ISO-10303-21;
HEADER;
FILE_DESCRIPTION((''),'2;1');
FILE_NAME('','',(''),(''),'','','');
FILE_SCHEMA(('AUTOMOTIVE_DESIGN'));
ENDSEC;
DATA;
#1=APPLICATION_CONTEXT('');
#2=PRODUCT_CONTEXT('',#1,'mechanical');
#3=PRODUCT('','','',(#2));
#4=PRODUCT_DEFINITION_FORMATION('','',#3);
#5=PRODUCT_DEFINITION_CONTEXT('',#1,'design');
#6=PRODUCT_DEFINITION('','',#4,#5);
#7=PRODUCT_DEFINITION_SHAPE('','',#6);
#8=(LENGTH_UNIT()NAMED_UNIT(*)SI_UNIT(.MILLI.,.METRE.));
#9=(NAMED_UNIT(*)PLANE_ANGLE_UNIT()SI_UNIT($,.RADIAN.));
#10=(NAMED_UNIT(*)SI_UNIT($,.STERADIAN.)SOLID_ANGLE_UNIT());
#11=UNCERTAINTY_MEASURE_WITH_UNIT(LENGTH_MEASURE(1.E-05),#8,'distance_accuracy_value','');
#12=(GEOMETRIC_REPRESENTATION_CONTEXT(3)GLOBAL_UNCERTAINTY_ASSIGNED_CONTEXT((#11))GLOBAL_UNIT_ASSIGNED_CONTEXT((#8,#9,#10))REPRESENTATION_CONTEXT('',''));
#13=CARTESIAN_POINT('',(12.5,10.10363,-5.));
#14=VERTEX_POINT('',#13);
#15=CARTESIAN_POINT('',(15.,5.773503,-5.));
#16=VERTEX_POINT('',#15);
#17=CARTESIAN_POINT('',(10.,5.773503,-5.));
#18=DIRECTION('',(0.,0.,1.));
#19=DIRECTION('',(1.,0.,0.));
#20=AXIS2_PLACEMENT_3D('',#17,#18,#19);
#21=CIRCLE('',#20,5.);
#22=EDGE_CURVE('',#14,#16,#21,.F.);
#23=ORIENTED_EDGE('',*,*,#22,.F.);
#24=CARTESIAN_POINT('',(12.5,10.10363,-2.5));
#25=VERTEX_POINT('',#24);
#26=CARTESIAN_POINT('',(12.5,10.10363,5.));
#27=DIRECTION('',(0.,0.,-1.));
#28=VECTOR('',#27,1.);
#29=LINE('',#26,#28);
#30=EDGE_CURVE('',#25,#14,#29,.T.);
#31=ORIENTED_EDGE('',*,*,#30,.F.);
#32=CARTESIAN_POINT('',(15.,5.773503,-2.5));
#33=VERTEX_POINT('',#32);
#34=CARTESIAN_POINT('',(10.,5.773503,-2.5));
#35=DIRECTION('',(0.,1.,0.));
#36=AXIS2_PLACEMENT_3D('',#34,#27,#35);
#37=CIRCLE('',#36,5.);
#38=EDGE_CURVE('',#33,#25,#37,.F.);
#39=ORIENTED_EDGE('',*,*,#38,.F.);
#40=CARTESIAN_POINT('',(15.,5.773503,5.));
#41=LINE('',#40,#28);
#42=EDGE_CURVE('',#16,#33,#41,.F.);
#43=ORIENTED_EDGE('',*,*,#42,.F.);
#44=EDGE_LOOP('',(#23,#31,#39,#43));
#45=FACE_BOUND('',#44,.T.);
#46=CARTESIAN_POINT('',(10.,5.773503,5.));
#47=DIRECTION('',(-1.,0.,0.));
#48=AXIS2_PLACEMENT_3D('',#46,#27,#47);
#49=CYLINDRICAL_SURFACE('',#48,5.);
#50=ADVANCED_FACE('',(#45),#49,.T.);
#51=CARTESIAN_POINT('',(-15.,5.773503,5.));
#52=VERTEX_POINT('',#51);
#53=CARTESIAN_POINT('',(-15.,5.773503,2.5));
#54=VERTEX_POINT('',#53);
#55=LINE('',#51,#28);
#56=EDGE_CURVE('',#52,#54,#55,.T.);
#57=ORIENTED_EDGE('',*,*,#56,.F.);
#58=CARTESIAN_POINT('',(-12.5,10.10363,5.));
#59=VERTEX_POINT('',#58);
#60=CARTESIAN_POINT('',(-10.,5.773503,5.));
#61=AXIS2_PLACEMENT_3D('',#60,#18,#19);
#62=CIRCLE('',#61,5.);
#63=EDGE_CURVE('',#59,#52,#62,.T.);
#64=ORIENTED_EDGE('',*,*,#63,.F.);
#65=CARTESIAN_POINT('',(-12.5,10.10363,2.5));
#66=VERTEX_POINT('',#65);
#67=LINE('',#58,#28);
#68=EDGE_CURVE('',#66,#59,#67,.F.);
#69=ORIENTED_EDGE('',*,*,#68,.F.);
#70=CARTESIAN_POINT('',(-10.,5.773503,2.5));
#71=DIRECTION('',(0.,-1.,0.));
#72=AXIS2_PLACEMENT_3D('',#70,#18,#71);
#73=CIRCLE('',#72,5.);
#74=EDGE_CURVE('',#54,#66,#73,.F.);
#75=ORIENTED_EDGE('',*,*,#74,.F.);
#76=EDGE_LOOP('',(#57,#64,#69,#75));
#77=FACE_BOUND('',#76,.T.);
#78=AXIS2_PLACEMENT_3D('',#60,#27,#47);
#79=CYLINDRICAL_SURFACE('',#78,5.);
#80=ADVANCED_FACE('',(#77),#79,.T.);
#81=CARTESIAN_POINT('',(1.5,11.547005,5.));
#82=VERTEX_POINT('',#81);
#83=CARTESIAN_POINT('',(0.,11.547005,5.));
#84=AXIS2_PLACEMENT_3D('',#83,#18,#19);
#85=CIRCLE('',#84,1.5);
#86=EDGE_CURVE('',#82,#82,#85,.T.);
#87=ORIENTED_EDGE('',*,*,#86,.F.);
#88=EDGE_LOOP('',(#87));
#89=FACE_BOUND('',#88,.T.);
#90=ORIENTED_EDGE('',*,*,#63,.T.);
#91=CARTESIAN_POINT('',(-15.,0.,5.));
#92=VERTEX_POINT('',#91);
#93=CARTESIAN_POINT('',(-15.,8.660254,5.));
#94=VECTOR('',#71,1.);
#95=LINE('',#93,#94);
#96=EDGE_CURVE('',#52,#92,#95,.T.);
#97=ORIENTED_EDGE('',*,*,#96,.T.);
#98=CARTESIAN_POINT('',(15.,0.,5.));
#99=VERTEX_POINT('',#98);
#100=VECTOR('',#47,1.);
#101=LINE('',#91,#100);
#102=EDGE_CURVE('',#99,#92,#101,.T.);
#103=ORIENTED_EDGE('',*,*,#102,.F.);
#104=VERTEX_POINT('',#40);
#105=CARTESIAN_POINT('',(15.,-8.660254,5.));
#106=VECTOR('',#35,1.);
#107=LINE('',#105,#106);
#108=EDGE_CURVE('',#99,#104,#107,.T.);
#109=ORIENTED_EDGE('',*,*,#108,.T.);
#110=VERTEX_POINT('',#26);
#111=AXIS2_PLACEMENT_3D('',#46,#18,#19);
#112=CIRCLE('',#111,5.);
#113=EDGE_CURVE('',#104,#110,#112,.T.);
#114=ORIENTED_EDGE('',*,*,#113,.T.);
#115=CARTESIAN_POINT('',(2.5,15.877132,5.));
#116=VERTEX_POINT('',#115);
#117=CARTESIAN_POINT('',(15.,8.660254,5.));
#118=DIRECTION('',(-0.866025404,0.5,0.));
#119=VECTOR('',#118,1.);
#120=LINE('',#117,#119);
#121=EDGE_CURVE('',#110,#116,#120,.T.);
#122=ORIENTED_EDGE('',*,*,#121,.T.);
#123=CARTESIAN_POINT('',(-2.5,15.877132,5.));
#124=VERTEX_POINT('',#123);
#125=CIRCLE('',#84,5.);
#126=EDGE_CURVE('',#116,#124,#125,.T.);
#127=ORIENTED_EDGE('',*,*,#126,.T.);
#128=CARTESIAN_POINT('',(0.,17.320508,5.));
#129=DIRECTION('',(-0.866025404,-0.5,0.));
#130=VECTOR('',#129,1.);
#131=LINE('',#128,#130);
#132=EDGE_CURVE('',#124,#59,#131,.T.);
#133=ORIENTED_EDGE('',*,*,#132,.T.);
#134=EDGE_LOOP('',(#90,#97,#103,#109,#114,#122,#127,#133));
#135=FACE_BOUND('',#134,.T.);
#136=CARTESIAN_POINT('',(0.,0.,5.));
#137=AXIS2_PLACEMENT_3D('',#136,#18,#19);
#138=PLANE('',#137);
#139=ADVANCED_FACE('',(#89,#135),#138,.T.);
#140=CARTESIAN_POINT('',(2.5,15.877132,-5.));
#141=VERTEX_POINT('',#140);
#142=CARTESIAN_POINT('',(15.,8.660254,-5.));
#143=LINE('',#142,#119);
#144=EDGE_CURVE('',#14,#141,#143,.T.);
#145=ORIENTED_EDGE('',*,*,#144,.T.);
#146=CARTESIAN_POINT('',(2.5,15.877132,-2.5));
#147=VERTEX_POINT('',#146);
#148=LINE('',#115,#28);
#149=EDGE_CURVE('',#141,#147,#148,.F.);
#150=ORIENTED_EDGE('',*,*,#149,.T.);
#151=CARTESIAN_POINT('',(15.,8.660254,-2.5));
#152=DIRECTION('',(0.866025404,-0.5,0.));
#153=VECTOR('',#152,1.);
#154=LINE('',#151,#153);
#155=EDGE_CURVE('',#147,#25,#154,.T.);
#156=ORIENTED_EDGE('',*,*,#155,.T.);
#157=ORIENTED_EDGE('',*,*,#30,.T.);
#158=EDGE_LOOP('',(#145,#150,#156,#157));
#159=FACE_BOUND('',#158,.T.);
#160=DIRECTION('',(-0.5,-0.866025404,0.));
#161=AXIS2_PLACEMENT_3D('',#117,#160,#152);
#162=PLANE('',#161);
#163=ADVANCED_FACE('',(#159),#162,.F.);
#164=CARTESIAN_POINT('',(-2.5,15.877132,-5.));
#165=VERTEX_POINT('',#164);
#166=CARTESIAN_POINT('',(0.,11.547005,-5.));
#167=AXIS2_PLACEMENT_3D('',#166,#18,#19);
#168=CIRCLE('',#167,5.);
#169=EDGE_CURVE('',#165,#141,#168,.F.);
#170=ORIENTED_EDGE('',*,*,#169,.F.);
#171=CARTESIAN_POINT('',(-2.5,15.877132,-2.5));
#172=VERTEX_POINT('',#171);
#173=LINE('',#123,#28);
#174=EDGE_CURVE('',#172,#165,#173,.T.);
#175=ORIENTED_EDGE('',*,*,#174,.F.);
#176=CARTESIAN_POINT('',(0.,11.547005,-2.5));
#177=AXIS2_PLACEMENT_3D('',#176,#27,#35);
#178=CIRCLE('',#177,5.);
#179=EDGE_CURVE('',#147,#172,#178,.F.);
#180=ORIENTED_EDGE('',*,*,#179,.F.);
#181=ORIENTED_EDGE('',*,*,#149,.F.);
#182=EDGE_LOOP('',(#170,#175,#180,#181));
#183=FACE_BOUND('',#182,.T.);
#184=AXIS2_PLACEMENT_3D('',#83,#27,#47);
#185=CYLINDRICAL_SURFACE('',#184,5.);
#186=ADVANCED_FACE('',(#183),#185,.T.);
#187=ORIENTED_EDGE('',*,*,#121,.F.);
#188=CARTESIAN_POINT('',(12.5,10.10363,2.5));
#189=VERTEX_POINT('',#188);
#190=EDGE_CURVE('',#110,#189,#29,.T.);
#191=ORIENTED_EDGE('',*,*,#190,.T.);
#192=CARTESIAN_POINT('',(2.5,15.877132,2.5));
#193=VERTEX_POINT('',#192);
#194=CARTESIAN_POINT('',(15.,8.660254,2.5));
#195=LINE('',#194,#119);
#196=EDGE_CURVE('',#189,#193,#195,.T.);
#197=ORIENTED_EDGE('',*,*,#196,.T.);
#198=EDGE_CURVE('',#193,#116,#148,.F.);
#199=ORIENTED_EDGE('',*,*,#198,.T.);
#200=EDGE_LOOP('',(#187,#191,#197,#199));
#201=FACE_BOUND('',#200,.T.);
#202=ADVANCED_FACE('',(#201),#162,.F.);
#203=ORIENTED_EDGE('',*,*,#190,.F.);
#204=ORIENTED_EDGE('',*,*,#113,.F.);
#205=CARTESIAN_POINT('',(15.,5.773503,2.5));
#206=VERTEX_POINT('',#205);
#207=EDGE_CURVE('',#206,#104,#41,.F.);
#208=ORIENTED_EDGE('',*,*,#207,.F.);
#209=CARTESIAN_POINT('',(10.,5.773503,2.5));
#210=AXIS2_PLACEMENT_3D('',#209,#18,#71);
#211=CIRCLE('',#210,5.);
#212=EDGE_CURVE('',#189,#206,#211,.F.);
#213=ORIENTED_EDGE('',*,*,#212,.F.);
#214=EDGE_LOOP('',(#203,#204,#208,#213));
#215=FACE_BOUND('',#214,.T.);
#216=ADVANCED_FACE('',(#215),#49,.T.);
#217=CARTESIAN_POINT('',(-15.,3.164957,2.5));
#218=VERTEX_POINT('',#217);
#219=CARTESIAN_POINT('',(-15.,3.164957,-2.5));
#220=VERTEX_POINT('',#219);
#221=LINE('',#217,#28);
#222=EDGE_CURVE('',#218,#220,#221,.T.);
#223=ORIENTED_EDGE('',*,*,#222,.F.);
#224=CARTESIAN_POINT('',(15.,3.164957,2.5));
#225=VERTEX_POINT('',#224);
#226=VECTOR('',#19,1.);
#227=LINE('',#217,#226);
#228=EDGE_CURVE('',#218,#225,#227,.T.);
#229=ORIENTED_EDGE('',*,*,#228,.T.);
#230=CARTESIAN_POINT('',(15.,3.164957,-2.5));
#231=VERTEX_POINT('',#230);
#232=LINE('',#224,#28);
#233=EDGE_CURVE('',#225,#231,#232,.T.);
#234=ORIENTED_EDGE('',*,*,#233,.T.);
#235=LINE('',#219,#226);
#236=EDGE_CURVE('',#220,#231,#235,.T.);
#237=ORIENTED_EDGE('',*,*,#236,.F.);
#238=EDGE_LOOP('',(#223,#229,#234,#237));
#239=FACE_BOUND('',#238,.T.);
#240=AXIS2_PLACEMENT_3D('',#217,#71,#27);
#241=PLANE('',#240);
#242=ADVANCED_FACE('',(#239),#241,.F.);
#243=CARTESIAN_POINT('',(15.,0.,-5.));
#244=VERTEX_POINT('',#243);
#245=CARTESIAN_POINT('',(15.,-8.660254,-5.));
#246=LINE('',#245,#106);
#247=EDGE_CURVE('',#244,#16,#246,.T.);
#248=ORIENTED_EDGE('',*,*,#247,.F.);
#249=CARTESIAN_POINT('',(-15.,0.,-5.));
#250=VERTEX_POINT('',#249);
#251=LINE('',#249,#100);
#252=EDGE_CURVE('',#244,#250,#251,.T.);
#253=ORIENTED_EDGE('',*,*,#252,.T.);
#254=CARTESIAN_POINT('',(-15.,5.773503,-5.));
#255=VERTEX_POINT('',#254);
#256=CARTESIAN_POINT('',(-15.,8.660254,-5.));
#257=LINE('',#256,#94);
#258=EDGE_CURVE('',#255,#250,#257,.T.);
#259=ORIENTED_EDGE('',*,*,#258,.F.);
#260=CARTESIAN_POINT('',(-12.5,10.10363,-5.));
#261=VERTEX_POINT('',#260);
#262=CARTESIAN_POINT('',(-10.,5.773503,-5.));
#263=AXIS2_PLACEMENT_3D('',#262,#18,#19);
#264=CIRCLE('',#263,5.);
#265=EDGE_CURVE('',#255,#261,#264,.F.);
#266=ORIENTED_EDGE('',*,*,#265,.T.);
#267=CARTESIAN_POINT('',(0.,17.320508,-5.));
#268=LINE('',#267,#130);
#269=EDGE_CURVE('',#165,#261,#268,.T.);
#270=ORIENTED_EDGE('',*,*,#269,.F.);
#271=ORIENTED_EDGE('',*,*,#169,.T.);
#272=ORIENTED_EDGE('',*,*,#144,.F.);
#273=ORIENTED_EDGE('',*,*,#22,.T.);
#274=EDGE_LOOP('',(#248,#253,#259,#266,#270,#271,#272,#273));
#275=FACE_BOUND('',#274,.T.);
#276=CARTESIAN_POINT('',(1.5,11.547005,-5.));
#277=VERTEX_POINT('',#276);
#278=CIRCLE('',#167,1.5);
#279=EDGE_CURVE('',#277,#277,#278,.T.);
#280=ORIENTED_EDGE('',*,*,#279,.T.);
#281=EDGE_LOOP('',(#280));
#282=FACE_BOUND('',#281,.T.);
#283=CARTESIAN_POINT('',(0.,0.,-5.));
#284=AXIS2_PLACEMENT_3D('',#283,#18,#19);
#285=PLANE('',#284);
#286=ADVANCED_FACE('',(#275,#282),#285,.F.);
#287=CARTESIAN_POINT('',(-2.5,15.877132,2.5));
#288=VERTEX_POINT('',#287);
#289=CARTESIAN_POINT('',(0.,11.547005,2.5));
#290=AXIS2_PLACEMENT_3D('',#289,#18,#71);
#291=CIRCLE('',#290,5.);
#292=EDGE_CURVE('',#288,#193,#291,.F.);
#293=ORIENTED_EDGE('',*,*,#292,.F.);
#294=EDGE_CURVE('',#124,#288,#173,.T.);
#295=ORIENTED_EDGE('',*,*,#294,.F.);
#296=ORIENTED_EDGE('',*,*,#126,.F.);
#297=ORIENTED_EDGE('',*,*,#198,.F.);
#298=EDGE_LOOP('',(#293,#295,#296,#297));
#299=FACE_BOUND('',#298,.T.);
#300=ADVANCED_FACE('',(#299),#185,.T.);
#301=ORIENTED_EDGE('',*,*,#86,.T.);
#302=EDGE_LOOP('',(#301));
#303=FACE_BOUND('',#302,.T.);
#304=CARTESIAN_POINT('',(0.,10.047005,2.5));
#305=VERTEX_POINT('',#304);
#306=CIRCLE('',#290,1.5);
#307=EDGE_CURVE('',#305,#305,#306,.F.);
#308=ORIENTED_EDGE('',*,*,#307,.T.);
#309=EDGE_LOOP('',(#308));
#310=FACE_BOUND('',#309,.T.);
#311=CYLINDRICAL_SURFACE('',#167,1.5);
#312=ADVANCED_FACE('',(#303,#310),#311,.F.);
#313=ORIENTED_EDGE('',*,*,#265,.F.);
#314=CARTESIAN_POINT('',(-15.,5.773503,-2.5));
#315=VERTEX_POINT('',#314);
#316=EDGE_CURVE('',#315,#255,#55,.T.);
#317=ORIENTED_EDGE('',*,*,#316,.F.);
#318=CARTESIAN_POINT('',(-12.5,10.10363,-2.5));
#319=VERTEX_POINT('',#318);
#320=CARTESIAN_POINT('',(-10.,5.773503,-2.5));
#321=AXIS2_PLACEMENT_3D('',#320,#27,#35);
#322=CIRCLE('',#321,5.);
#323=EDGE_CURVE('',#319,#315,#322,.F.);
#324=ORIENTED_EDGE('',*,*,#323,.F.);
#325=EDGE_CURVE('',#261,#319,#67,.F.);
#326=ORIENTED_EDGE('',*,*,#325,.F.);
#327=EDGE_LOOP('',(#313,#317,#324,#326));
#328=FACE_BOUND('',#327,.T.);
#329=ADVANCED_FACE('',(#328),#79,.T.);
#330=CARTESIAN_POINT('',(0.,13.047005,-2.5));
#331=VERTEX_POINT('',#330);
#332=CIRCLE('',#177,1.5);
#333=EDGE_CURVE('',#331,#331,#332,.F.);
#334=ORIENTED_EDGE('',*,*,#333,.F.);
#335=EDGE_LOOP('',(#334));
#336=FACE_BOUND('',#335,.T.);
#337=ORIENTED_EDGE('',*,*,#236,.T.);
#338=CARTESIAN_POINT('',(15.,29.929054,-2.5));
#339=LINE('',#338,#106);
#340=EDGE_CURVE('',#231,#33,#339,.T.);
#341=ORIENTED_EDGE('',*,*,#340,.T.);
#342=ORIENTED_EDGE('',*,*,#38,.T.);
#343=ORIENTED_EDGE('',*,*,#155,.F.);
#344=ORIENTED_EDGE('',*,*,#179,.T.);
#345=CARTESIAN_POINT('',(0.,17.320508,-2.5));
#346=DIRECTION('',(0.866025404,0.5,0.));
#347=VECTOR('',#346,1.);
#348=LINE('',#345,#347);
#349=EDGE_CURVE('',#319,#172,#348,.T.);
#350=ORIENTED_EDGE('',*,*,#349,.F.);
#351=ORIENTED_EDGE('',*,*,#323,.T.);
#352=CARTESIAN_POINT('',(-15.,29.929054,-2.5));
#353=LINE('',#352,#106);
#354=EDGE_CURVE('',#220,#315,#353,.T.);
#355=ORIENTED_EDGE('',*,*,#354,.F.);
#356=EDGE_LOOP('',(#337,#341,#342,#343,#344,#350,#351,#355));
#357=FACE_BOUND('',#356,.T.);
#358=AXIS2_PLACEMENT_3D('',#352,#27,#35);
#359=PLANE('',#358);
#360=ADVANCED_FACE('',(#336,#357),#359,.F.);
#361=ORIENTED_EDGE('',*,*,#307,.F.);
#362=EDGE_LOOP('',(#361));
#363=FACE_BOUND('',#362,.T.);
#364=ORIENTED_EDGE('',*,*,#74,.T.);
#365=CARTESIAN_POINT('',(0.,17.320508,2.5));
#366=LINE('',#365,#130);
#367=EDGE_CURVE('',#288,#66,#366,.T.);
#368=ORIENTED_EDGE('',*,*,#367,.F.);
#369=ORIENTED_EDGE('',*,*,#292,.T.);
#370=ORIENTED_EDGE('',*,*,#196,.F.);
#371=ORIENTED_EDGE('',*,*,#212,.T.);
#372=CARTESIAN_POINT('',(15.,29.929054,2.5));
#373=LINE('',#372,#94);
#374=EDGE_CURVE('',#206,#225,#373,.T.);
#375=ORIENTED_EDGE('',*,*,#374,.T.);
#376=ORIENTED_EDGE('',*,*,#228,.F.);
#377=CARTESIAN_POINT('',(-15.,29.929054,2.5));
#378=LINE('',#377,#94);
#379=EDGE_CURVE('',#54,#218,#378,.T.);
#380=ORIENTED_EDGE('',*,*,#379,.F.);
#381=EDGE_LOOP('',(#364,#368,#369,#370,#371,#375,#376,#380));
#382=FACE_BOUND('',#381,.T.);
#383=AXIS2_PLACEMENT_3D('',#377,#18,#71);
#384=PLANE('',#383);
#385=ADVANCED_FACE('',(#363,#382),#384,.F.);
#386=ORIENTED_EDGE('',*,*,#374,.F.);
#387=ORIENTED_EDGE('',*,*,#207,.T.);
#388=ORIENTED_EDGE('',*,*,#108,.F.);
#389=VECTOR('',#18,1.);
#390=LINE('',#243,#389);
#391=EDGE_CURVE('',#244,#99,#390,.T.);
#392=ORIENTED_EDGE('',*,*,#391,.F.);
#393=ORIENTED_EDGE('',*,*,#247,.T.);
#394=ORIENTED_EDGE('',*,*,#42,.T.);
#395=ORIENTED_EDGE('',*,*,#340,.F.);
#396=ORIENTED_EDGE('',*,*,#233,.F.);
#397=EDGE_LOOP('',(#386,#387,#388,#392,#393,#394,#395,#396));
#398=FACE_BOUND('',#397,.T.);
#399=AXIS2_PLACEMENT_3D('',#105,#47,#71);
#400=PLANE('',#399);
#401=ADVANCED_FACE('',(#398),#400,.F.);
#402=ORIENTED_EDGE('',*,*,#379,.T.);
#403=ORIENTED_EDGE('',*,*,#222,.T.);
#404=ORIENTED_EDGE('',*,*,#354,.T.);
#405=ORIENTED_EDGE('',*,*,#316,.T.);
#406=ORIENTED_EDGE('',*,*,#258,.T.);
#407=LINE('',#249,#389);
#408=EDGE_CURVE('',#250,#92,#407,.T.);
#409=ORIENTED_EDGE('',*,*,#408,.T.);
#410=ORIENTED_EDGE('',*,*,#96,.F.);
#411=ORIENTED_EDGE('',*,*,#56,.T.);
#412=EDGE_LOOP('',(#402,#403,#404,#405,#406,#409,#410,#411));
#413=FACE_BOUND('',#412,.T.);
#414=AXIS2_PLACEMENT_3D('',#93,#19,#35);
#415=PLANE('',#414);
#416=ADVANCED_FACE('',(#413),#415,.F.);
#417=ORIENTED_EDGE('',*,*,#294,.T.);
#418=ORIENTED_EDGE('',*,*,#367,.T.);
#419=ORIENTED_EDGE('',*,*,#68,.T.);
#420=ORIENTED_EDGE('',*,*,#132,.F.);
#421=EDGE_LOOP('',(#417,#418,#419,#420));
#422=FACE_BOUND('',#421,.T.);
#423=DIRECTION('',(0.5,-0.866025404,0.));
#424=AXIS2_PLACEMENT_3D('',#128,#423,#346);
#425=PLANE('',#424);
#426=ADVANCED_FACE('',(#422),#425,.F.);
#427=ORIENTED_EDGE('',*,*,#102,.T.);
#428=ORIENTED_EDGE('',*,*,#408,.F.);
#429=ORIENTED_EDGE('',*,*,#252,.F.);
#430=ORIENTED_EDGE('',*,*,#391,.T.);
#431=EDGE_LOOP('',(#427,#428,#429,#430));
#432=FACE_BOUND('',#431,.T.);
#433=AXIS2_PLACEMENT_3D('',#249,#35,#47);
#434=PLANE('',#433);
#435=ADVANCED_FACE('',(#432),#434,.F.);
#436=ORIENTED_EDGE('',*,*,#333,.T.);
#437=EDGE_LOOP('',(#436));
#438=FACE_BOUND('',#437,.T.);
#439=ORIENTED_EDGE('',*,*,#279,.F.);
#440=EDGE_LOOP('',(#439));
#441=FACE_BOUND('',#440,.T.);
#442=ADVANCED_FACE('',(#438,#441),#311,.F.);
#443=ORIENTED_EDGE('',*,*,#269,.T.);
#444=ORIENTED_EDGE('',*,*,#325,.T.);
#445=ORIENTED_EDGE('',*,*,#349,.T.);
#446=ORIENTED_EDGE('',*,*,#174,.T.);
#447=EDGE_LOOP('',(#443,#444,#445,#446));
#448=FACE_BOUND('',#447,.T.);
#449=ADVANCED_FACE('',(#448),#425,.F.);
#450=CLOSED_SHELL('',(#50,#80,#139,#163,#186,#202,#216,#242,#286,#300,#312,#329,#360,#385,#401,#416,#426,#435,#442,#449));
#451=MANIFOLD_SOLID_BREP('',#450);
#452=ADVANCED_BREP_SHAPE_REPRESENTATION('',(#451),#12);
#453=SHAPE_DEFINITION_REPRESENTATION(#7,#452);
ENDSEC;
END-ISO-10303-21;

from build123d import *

# Parameters (mm, degrees)
BOSS_EXTRUDE1_DEPTH     = 5
SKETCH2_W               = 30
SKETCH2_H               = 19.460287126
CUT_EXTRUDE1_DEPTH      = 11
FILLET1_R               = 5
SKETCH3_R               = 1.5
CUT_EXTRUDE2_DEPTH      = 11
SKETCH4_W               = 5
SKETCH4_H               = 26.764096408
CUT_EXTRUDE3_DEPTH      = 16
CUT_EXTRUDE3_DEPTH_BACK = 16


with BuildPart() as part:
    # Sketch1 → Boss-Extrude1 (new body, symmetric)
    with BuildSketch(Plane.XY):
        Polygon((0, -17.320508076), (15, -8.660254038), (15, 8.660254038), (0, 17.320508076), (-15, 8.660254038), (-15, -8.660254038), align=None)
    extrude(amount=BOSS_EXTRUDE1_DEPTH, both=True)

    # Sketch2 → Cut-Extrude1 (cut, through all)
    with BuildSketch(Plane.XY.offset(5)):
        with Locations((0, -9.730143563)):
            Rectangle(SKETCH2_W, SKETCH2_H)
    extrude(amount=-CUT_EXTRUDE1_DEPTH, mode=Mode.SUBTRACT)

    # Fillet1
    fillet1_edges = [part.edges().sort_by_distance(p)[0] for p in [
        (-15, 8.660254038, 0),
        (0, 17.320508076, 0),
        (15, 8.660254038, 0),
    ]]
    fillet(fillet1_edges, radius=FILLET1_R)

    # Sketch3 → Cut-Extrude2 (cut, through all)
    with BuildSketch(Plane.XY.offset(5)):
        with Locations((0, 11.547005384)):
            Circle(SKETCH3_R)
    extrude(amount=-CUT_EXTRUDE2_DEPTH, mode=Mode.SUBTRACT)

    # Sketch4 → Cut-Extrude3 (cut, two sides)
    with BuildSketch(Plane(origin=(0, 0, 0), x_dir=(0, 0, -1), z_dir=(1, 0, 0))) as cut_extrude3_sk:
        with Locations((0, 16.547005384)):
            Rectangle(SKETCH4_W, SKETCH4_H)
    extrude(amount=CUT_EXTRUDE3_DEPTH, mode=Mode.SUBTRACT)
    extrude(cut_extrude3_sk.sketch, amount=-CUT_EXTRUDE3_DEPTH_BACK, mode=Mode.SUBTRACT)


solid = part.part
